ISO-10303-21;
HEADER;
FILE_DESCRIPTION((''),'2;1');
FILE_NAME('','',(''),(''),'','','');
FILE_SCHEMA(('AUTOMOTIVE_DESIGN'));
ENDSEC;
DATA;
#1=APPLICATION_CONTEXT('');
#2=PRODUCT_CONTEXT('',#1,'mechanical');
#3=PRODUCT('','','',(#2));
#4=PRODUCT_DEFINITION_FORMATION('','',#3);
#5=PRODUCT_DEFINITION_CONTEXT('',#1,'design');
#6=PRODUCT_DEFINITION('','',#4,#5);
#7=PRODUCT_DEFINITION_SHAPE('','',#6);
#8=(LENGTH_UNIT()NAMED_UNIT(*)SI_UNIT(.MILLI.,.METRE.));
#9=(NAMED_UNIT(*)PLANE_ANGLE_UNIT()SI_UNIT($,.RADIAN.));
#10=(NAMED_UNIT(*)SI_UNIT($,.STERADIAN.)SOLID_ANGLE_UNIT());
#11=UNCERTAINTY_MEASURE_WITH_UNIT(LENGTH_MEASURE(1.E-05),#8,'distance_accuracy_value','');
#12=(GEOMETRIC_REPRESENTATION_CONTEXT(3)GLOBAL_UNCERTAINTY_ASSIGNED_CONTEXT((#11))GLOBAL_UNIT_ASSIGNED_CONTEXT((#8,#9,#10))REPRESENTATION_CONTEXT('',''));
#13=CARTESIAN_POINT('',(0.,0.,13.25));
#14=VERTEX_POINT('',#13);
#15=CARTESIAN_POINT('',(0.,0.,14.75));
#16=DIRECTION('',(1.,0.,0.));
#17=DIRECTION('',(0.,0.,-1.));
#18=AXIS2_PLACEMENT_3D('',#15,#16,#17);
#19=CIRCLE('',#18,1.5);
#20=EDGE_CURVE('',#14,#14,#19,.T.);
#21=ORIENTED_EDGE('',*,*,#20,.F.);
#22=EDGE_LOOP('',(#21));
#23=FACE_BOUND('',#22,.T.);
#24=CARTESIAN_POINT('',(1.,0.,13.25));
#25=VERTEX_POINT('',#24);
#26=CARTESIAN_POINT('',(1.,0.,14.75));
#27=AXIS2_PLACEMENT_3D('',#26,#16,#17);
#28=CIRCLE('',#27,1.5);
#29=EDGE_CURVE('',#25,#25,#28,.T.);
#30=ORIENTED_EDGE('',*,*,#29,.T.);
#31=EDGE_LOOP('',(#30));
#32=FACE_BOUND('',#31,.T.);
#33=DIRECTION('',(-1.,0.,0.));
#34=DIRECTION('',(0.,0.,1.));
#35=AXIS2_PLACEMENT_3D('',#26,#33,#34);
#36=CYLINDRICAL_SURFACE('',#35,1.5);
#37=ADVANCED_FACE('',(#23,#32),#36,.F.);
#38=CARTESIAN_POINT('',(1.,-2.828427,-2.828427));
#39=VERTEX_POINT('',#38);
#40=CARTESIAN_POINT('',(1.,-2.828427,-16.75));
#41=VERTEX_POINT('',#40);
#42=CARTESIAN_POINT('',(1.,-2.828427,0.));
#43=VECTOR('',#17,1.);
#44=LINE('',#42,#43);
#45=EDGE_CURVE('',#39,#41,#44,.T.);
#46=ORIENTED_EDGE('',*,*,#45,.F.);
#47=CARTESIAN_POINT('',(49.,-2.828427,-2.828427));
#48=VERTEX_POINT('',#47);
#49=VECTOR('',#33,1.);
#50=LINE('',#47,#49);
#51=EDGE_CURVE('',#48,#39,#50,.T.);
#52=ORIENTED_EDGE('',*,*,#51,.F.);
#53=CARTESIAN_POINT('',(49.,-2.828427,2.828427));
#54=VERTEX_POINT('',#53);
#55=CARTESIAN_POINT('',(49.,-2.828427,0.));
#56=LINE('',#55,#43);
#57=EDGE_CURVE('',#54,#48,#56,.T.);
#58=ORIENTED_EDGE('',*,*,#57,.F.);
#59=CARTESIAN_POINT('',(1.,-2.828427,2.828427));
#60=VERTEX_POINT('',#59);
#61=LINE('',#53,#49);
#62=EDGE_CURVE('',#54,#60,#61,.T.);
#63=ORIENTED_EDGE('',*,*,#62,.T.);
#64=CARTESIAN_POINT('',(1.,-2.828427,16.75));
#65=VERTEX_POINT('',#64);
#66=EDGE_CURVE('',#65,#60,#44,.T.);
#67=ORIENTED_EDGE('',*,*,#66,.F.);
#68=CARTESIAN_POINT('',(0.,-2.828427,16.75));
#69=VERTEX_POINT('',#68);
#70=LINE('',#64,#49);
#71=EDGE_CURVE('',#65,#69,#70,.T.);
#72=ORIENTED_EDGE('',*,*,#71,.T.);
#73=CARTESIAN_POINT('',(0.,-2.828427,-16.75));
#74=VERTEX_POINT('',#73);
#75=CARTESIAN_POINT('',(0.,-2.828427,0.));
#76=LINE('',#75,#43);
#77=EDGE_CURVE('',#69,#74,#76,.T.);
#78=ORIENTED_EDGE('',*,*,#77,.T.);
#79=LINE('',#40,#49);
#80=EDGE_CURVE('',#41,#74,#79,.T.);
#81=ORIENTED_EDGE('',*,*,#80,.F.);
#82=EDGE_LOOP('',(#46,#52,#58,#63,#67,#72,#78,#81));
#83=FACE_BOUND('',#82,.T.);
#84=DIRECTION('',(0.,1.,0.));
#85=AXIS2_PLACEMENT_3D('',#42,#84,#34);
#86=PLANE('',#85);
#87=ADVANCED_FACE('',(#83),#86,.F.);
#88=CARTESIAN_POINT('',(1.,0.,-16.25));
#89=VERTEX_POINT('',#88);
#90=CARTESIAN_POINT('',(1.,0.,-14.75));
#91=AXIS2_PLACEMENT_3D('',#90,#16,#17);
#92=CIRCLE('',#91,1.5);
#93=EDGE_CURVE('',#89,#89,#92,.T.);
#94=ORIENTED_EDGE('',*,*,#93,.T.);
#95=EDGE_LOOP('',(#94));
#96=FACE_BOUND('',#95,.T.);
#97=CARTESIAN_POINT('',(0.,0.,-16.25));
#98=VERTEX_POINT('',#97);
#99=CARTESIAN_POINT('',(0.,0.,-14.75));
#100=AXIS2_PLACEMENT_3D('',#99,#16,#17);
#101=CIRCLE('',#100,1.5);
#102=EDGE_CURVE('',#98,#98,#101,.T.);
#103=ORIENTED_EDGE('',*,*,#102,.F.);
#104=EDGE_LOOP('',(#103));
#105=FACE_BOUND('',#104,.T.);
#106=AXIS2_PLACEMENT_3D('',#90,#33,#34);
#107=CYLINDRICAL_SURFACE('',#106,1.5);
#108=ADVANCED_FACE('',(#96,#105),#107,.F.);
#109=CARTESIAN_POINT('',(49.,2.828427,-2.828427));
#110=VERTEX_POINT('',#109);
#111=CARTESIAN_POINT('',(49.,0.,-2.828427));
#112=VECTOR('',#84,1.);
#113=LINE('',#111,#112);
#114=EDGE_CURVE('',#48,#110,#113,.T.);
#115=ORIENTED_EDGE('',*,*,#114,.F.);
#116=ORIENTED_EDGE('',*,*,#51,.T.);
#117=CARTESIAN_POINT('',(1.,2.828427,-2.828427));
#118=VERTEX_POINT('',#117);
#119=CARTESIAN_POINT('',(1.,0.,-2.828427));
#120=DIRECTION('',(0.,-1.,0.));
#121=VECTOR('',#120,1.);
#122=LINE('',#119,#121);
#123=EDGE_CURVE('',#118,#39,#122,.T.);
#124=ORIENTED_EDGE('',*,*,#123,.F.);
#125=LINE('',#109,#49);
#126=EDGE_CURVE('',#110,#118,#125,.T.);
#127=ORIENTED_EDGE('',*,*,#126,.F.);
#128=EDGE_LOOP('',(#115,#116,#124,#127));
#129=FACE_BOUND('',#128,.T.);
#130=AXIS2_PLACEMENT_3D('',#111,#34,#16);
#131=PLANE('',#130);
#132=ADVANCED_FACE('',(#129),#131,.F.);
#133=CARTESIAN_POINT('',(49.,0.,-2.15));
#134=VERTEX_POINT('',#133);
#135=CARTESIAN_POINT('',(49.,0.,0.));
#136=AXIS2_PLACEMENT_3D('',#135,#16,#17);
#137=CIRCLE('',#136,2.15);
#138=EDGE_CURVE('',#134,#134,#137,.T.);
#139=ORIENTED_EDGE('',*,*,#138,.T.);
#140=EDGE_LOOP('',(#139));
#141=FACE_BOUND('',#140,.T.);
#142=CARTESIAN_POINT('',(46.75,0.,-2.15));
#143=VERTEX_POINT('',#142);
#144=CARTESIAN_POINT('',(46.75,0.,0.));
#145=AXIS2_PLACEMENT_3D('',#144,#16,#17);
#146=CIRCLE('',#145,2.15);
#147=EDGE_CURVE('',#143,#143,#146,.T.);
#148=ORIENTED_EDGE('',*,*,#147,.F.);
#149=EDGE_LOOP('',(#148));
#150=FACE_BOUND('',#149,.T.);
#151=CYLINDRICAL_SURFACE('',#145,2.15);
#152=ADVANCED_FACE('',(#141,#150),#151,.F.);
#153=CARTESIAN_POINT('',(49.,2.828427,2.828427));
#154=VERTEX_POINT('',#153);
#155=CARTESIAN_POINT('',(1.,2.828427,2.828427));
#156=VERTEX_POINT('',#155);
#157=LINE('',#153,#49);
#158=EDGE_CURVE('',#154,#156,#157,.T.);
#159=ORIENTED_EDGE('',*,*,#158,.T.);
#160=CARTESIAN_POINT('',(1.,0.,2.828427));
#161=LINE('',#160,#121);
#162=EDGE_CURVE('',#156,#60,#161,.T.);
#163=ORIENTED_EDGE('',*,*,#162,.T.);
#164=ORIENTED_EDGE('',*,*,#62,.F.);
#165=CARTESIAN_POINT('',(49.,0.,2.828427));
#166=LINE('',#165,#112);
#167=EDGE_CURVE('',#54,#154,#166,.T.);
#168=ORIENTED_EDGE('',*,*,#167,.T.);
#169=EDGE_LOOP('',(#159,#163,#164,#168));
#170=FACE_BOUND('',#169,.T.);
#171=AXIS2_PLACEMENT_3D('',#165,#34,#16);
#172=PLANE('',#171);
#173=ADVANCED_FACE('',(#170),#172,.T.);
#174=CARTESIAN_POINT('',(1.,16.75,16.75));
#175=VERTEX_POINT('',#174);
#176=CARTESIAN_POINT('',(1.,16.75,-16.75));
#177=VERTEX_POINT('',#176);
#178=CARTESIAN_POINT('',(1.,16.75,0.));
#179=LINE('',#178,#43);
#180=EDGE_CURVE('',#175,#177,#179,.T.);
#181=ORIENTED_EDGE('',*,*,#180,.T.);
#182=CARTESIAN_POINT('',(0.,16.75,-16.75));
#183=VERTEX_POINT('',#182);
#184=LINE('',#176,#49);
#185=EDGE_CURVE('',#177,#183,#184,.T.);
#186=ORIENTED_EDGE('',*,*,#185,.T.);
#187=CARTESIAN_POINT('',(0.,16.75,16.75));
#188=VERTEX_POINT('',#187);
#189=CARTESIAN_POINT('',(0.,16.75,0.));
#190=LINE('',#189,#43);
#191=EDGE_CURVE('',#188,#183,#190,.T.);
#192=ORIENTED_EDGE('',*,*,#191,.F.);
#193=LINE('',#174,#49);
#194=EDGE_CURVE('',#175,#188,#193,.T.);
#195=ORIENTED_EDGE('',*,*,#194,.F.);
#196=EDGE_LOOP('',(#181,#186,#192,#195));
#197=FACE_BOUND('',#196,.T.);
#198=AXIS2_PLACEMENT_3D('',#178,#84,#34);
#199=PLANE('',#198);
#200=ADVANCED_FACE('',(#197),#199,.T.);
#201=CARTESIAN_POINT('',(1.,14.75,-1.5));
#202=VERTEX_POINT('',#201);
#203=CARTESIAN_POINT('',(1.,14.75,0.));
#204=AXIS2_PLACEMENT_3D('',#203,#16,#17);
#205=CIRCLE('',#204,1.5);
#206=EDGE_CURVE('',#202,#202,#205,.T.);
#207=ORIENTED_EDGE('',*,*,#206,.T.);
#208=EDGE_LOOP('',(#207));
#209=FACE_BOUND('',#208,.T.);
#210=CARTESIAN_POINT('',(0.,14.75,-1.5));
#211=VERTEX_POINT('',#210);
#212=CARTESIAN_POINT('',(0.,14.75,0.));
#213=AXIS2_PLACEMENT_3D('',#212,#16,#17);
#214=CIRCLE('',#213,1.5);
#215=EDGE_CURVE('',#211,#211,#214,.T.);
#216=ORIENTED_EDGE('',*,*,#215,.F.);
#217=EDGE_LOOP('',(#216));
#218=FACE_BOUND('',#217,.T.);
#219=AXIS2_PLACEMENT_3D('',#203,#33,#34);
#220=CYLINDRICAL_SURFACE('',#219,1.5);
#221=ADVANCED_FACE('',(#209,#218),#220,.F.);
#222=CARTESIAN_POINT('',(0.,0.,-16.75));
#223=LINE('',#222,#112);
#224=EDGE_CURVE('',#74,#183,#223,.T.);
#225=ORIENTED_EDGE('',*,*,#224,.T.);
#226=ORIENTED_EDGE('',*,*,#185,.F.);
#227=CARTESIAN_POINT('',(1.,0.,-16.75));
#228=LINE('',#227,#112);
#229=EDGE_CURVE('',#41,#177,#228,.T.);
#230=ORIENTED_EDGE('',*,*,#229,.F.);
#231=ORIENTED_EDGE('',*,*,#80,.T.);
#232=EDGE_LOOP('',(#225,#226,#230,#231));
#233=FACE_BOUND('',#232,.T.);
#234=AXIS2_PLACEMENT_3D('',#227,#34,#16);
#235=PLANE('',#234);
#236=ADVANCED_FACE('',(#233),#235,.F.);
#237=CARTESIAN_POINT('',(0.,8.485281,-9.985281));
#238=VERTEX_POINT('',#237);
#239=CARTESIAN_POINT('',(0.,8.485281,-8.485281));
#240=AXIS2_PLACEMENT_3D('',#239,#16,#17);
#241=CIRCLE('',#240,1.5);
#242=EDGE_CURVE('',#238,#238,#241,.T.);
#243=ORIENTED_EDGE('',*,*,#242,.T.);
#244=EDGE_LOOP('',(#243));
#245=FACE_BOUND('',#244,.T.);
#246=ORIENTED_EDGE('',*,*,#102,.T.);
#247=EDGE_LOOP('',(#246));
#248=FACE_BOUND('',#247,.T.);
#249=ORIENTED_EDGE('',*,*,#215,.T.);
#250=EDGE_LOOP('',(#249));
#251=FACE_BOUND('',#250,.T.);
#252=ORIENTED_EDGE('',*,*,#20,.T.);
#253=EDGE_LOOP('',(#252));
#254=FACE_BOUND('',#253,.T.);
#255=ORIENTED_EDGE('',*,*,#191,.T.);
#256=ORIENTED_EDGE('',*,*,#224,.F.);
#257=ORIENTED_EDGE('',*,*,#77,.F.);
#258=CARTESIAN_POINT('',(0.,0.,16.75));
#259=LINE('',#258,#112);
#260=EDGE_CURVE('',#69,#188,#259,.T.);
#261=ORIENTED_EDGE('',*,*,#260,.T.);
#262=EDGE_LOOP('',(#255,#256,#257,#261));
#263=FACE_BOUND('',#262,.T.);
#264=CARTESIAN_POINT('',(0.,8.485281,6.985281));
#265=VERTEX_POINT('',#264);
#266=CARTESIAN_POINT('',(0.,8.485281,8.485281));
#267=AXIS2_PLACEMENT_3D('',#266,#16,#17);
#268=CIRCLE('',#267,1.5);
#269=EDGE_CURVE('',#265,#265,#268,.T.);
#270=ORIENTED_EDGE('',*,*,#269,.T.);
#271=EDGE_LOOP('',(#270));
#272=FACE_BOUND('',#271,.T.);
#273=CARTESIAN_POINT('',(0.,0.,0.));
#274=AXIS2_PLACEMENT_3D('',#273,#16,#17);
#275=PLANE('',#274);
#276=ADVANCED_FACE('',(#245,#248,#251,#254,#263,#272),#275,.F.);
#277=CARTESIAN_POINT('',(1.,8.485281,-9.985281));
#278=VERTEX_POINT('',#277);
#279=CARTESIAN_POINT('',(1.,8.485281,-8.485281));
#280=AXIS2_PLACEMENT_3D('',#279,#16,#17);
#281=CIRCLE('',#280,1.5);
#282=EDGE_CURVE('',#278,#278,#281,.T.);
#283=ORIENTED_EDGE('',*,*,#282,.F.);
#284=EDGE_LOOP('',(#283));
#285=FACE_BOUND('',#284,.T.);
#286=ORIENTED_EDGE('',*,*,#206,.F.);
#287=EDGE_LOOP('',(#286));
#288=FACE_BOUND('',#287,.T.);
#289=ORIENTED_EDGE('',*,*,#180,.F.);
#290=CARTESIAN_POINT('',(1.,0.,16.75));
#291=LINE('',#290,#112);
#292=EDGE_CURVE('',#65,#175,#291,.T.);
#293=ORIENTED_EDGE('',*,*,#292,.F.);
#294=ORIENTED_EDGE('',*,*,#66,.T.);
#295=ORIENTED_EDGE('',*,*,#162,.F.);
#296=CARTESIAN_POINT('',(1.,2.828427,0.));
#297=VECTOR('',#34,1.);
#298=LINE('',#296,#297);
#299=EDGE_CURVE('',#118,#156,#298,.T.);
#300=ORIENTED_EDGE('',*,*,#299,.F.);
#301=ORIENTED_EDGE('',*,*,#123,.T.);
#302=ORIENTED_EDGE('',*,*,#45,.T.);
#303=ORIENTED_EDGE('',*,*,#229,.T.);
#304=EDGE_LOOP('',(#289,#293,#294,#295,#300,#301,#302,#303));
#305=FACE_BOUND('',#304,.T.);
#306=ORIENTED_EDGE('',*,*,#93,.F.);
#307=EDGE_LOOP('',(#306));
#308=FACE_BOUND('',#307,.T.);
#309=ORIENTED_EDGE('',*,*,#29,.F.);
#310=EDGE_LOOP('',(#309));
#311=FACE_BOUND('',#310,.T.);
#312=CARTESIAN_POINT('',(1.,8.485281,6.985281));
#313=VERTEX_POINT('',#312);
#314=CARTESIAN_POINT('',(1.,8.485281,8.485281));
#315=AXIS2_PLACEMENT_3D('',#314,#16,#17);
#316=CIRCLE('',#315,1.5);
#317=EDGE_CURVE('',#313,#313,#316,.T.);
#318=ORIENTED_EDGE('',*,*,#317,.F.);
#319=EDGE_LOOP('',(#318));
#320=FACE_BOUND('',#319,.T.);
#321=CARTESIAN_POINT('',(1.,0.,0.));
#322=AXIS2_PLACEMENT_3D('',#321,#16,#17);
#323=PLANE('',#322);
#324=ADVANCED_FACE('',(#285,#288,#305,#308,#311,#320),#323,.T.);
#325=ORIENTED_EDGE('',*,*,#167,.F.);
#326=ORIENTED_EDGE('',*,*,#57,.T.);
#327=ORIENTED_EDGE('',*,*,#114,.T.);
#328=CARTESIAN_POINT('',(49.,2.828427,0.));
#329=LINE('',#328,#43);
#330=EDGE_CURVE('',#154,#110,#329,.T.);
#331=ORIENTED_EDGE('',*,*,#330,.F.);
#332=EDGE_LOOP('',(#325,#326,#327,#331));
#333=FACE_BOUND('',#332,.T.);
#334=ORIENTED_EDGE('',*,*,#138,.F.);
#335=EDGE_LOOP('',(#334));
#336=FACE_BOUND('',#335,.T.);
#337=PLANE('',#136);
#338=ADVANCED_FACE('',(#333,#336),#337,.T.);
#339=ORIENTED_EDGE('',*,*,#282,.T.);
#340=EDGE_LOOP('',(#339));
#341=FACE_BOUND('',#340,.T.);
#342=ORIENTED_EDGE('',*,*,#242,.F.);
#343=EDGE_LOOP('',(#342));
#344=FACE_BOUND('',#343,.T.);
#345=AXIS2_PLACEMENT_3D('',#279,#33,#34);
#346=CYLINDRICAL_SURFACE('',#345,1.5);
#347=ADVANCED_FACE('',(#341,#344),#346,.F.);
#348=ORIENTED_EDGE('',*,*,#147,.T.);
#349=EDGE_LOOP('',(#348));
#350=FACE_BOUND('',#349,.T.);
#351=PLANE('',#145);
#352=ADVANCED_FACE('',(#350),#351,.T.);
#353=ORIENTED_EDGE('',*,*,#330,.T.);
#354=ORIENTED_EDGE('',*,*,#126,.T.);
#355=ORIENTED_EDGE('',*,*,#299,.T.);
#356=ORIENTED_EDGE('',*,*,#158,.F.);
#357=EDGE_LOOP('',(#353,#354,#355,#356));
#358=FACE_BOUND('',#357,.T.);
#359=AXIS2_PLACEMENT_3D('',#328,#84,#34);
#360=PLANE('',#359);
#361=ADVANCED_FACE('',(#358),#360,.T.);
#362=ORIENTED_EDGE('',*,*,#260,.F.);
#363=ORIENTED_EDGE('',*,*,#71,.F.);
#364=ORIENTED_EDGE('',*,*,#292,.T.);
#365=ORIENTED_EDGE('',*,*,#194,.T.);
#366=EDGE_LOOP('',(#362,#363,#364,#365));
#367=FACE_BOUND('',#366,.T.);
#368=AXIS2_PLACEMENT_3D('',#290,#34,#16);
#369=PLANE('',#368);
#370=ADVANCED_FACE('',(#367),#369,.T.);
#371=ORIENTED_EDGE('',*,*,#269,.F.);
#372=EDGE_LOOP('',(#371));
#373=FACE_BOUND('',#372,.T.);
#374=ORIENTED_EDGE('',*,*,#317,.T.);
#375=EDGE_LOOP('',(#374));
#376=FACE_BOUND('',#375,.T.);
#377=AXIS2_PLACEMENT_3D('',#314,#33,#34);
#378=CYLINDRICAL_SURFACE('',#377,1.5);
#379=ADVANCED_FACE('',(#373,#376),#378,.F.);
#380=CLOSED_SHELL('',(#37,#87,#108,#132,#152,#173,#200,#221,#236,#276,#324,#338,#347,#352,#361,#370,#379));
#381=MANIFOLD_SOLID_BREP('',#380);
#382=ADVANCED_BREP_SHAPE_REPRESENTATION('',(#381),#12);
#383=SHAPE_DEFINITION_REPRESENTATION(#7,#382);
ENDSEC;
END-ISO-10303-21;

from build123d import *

# Parameters (mm, degrees)
SKETCH1_W           = 33.5
SKETCH1_H           = 19.578427125
SKETCH1_R           = 1.5
BOSS_EXTRUDE1_DEPTH = 1
SKETCH1_3_W         = 5.65685425
SKETCH1_3_H         = 5.65685425
BOSS_EXTRUDE2_DEPTH = 49
SKETCH3_R           = 2.15
CUT_EXTRUDE1_DEPTH  = 2.25


with BuildPart() as part:
    # Sketch1 → Boss-Extrude1 (new body)
    with BuildSketch(Plane(origin=(0, 0, 0), x_dir=(0, 0, -1), z_dir=(1, 0, 0))):
        with Locations((0, 6.960786437)):
            Rectangle(SKETCH1_W, SKETCH1_H)
        with Locations((-14.75, 0)):
            Circle(SKETCH1_R, mode=Mode.SUBTRACT)
        with Locations((14.75, 0)):
            Circle(SKETCH1_R, mode=Mode.SUBTRACT)
        with Locations((-8.485281374, 8.485281374)):
            Circle(SKETCH1_R, mode=Mode.SUBTRACT)
        with Locations((8.485281374, 8.485281374)):
            Circle(SKETCH1_R, mode=Mode.SUBTRACT)
        with Locations((0, 14.75)):
            Circle(SKETCH1_R, mode=Mode.SUBTRACT)
    extrude(amount=BOSS_EXTRUDE1_DEPTH)

    # Sketch1<3> → Boss-Extrude2 (add)
    with BuildSketch(Plane(origin=(0, 0, 0), x_dir=(0, 0, -1), z_dir=(1, 0, 0))):
        Rectangle(SKETCH1_3_W, SKETCH1_3_H)
    extrude(amount=BOSS_EXTRUDE2_DEPTH)

    # Sketch3 → Cut-Extrude1 (cut)
    with BuildSketch(Plane(origin=(49, 0, 0), x_dir=(0, 0, -1), z_dir=(1, 0, 0))):
        Circle(SKETCH3_R)
    extrude(amount=-CUT_EXTRUDE1_DEPTH, mode=Mode.SUBTRACT)


solid = part.part
